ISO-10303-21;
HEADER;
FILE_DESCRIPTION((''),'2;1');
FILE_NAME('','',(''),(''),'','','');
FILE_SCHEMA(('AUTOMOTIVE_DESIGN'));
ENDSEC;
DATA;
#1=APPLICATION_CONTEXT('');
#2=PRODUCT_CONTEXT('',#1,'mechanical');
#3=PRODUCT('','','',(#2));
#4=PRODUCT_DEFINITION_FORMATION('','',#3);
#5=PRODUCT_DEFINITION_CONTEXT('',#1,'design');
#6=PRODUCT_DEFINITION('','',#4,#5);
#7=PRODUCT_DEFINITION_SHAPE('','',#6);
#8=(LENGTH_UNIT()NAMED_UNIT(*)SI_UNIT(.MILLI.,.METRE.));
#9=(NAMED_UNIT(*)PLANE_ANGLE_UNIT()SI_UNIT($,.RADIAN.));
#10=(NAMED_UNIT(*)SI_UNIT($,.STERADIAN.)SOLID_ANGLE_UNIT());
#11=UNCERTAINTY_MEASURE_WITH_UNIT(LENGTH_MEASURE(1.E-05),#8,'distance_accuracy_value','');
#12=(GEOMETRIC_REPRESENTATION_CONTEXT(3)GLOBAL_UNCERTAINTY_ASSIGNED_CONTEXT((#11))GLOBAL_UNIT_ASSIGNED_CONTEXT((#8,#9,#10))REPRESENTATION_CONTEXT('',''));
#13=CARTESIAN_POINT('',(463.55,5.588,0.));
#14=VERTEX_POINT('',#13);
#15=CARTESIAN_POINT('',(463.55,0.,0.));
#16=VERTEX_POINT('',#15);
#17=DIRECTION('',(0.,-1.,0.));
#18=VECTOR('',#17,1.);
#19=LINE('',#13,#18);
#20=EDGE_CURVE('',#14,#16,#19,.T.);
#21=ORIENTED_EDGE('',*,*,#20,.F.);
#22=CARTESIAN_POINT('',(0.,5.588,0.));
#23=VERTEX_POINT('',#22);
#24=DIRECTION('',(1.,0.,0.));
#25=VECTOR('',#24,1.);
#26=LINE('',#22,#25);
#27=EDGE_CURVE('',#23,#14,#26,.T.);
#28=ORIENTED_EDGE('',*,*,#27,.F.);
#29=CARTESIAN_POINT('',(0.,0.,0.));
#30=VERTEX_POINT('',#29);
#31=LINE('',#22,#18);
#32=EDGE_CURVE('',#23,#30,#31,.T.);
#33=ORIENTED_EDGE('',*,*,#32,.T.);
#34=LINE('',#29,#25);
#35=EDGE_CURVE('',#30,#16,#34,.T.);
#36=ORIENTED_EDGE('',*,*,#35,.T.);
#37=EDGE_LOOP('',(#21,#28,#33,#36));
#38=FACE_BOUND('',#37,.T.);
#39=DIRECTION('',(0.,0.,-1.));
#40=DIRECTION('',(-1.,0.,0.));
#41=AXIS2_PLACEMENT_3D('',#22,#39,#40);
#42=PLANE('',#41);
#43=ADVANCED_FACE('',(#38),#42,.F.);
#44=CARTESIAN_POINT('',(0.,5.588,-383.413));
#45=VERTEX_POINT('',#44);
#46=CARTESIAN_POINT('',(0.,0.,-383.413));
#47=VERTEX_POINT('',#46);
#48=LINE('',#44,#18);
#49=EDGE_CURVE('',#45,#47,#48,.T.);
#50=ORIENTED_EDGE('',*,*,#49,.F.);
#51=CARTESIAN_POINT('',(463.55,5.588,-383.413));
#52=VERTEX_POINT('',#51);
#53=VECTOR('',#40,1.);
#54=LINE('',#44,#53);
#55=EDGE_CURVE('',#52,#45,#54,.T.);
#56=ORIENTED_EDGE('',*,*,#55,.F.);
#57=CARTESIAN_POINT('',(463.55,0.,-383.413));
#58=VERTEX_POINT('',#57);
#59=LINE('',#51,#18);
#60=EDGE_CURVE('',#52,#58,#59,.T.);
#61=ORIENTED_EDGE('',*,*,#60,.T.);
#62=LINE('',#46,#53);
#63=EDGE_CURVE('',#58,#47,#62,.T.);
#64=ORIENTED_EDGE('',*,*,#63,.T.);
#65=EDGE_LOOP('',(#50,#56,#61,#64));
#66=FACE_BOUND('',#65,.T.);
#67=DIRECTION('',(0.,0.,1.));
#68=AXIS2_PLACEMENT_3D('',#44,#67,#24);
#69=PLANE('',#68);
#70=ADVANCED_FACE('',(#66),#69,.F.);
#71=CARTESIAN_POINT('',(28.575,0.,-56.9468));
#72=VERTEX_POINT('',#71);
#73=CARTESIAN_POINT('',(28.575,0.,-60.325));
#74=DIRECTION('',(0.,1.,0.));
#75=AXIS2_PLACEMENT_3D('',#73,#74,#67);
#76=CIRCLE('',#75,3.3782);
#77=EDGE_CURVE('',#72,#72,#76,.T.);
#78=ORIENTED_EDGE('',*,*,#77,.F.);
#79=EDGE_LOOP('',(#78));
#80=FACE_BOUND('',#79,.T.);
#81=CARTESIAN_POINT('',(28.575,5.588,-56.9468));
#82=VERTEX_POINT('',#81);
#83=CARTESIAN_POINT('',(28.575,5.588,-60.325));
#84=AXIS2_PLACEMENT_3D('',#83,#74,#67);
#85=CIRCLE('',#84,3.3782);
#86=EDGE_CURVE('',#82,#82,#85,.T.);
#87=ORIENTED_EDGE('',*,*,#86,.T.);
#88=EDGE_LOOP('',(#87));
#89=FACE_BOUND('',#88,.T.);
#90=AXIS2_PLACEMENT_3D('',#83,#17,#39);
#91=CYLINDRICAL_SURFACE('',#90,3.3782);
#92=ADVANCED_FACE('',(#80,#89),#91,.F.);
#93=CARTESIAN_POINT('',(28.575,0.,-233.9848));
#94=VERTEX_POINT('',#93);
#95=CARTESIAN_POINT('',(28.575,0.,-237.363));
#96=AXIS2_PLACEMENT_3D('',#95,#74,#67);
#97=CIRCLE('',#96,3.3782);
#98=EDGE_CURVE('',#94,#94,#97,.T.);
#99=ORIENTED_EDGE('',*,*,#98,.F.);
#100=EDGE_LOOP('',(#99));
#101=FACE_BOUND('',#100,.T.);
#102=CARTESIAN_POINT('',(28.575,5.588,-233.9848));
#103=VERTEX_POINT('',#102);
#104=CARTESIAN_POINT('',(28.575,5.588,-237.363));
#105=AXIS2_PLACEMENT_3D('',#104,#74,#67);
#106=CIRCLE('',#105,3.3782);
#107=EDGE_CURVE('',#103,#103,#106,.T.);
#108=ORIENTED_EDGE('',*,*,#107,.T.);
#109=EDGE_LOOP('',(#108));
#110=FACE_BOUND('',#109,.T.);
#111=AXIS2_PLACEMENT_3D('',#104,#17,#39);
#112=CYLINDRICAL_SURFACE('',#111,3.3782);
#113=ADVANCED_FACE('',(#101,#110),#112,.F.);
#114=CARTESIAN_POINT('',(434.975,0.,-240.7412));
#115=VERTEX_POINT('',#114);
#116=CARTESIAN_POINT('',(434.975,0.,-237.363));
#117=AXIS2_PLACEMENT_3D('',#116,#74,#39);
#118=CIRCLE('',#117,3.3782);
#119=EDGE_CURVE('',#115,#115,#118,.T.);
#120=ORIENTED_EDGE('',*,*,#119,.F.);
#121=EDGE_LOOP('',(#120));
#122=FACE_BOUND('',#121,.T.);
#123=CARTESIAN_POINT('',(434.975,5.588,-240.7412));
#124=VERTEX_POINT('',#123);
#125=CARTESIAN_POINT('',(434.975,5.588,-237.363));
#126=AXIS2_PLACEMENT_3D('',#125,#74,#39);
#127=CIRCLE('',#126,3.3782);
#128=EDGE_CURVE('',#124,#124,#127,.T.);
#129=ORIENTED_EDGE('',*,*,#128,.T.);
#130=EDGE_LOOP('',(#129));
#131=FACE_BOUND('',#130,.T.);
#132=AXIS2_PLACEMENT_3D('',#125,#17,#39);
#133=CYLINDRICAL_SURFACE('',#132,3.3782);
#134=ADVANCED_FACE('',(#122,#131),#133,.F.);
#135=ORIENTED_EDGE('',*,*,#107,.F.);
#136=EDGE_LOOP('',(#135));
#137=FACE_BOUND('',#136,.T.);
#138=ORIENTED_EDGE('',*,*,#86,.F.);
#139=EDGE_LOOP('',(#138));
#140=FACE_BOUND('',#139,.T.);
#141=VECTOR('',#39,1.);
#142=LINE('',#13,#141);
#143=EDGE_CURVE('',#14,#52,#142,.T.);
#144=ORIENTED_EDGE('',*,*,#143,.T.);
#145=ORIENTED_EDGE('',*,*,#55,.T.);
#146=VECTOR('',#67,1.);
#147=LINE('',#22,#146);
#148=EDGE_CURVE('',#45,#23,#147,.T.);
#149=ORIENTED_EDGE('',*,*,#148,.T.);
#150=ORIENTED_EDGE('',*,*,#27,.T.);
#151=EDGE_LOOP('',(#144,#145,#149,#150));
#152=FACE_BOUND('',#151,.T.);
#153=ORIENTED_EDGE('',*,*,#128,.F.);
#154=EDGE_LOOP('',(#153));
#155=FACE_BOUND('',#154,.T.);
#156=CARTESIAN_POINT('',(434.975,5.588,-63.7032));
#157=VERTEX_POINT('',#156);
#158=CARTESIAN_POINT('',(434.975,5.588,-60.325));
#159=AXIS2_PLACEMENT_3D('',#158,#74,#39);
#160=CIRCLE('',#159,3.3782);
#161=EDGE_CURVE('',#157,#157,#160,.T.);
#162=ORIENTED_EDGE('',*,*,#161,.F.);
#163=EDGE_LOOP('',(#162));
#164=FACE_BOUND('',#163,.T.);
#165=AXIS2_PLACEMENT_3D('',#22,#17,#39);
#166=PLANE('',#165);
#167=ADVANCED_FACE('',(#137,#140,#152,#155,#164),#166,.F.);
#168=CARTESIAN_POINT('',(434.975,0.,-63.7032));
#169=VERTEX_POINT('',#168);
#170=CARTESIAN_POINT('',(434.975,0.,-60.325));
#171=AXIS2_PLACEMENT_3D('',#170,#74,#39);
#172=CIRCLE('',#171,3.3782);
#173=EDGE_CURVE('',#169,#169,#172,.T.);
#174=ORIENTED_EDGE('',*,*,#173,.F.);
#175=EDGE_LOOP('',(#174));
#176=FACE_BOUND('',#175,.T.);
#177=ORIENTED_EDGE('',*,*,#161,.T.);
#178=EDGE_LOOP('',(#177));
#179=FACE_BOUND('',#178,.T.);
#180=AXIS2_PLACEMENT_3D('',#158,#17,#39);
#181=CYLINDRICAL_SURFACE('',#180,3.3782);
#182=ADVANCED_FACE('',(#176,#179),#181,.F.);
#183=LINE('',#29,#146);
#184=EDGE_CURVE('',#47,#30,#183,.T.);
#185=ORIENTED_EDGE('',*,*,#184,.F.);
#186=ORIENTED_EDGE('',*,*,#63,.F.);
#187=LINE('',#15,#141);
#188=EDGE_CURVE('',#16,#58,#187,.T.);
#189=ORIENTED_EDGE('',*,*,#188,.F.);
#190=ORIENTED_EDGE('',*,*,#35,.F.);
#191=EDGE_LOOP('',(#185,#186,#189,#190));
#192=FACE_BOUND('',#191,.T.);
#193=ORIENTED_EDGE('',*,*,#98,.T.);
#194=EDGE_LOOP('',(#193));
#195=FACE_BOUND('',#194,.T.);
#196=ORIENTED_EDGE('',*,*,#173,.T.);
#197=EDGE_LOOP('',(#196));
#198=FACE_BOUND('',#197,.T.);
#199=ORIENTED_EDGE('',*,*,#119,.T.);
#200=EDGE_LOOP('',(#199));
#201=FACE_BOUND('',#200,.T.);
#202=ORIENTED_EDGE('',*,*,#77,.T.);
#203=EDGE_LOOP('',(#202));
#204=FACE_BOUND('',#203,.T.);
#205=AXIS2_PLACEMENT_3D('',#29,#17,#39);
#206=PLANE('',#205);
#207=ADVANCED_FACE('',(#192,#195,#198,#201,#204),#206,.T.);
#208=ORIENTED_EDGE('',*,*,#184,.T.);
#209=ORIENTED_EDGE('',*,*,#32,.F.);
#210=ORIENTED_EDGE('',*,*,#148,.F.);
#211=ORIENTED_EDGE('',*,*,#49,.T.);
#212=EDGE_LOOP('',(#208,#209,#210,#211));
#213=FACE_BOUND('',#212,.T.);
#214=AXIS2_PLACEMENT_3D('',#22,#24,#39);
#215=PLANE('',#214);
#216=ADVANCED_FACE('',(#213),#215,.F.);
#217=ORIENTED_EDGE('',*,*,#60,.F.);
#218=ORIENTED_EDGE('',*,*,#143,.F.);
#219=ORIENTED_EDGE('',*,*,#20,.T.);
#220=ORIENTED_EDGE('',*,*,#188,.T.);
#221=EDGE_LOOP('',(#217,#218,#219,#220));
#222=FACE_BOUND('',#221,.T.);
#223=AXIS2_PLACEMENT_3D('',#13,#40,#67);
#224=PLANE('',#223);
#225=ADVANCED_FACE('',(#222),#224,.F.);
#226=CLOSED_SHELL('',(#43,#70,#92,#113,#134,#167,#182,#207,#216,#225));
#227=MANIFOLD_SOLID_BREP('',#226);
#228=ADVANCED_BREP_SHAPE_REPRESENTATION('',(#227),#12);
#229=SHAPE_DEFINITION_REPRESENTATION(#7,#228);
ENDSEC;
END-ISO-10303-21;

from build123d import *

# Parameters (mm, degrees)
SKETCH1_W           = 463.55
SKETCH1_H           = 383.413
SKETCH1_R           = 3.3782
BOSS_EXTRUDE1_DEPTH = 5.588


with BuildPart() as part:
    # Sketch1 → Boss-Extrude1 (new body)
    with BuildSketch(Plane(origin=(0, 0, 0), x_dir=(1, 0, 0), z_dir=(0, 1, 0))):
        with Locations((231.775, 191.7065)):
            Rectangle(SKETCH1_W, SKETCH1_H)
        with Locations(Location((28.575, 60.325, 0), (0, 0, 270))):
            Circle(SKETCH1_R, mode=Mode.SUBTRACT)
        with Locations(Location((28.575, 237.363, 0), (0, 0, 270))):
            Circle(SKETCH1_R, mode=Mode.SUBTRACT)
        with Locations(Location((434.975, 237.363, 0), (0, 0, 90))):
            Circle(SKETCH1_R, mode=Mode.SUBTRACT)
        with Locations(Location((434.975, 60.325, 0), (0, 0, 90))):
            Circle(SKETCH1_R, mode=Mode.SUBTRACT)
    extrude(amount=BOSS_EXTRUDE1_DEPTH)


solid = part.part
